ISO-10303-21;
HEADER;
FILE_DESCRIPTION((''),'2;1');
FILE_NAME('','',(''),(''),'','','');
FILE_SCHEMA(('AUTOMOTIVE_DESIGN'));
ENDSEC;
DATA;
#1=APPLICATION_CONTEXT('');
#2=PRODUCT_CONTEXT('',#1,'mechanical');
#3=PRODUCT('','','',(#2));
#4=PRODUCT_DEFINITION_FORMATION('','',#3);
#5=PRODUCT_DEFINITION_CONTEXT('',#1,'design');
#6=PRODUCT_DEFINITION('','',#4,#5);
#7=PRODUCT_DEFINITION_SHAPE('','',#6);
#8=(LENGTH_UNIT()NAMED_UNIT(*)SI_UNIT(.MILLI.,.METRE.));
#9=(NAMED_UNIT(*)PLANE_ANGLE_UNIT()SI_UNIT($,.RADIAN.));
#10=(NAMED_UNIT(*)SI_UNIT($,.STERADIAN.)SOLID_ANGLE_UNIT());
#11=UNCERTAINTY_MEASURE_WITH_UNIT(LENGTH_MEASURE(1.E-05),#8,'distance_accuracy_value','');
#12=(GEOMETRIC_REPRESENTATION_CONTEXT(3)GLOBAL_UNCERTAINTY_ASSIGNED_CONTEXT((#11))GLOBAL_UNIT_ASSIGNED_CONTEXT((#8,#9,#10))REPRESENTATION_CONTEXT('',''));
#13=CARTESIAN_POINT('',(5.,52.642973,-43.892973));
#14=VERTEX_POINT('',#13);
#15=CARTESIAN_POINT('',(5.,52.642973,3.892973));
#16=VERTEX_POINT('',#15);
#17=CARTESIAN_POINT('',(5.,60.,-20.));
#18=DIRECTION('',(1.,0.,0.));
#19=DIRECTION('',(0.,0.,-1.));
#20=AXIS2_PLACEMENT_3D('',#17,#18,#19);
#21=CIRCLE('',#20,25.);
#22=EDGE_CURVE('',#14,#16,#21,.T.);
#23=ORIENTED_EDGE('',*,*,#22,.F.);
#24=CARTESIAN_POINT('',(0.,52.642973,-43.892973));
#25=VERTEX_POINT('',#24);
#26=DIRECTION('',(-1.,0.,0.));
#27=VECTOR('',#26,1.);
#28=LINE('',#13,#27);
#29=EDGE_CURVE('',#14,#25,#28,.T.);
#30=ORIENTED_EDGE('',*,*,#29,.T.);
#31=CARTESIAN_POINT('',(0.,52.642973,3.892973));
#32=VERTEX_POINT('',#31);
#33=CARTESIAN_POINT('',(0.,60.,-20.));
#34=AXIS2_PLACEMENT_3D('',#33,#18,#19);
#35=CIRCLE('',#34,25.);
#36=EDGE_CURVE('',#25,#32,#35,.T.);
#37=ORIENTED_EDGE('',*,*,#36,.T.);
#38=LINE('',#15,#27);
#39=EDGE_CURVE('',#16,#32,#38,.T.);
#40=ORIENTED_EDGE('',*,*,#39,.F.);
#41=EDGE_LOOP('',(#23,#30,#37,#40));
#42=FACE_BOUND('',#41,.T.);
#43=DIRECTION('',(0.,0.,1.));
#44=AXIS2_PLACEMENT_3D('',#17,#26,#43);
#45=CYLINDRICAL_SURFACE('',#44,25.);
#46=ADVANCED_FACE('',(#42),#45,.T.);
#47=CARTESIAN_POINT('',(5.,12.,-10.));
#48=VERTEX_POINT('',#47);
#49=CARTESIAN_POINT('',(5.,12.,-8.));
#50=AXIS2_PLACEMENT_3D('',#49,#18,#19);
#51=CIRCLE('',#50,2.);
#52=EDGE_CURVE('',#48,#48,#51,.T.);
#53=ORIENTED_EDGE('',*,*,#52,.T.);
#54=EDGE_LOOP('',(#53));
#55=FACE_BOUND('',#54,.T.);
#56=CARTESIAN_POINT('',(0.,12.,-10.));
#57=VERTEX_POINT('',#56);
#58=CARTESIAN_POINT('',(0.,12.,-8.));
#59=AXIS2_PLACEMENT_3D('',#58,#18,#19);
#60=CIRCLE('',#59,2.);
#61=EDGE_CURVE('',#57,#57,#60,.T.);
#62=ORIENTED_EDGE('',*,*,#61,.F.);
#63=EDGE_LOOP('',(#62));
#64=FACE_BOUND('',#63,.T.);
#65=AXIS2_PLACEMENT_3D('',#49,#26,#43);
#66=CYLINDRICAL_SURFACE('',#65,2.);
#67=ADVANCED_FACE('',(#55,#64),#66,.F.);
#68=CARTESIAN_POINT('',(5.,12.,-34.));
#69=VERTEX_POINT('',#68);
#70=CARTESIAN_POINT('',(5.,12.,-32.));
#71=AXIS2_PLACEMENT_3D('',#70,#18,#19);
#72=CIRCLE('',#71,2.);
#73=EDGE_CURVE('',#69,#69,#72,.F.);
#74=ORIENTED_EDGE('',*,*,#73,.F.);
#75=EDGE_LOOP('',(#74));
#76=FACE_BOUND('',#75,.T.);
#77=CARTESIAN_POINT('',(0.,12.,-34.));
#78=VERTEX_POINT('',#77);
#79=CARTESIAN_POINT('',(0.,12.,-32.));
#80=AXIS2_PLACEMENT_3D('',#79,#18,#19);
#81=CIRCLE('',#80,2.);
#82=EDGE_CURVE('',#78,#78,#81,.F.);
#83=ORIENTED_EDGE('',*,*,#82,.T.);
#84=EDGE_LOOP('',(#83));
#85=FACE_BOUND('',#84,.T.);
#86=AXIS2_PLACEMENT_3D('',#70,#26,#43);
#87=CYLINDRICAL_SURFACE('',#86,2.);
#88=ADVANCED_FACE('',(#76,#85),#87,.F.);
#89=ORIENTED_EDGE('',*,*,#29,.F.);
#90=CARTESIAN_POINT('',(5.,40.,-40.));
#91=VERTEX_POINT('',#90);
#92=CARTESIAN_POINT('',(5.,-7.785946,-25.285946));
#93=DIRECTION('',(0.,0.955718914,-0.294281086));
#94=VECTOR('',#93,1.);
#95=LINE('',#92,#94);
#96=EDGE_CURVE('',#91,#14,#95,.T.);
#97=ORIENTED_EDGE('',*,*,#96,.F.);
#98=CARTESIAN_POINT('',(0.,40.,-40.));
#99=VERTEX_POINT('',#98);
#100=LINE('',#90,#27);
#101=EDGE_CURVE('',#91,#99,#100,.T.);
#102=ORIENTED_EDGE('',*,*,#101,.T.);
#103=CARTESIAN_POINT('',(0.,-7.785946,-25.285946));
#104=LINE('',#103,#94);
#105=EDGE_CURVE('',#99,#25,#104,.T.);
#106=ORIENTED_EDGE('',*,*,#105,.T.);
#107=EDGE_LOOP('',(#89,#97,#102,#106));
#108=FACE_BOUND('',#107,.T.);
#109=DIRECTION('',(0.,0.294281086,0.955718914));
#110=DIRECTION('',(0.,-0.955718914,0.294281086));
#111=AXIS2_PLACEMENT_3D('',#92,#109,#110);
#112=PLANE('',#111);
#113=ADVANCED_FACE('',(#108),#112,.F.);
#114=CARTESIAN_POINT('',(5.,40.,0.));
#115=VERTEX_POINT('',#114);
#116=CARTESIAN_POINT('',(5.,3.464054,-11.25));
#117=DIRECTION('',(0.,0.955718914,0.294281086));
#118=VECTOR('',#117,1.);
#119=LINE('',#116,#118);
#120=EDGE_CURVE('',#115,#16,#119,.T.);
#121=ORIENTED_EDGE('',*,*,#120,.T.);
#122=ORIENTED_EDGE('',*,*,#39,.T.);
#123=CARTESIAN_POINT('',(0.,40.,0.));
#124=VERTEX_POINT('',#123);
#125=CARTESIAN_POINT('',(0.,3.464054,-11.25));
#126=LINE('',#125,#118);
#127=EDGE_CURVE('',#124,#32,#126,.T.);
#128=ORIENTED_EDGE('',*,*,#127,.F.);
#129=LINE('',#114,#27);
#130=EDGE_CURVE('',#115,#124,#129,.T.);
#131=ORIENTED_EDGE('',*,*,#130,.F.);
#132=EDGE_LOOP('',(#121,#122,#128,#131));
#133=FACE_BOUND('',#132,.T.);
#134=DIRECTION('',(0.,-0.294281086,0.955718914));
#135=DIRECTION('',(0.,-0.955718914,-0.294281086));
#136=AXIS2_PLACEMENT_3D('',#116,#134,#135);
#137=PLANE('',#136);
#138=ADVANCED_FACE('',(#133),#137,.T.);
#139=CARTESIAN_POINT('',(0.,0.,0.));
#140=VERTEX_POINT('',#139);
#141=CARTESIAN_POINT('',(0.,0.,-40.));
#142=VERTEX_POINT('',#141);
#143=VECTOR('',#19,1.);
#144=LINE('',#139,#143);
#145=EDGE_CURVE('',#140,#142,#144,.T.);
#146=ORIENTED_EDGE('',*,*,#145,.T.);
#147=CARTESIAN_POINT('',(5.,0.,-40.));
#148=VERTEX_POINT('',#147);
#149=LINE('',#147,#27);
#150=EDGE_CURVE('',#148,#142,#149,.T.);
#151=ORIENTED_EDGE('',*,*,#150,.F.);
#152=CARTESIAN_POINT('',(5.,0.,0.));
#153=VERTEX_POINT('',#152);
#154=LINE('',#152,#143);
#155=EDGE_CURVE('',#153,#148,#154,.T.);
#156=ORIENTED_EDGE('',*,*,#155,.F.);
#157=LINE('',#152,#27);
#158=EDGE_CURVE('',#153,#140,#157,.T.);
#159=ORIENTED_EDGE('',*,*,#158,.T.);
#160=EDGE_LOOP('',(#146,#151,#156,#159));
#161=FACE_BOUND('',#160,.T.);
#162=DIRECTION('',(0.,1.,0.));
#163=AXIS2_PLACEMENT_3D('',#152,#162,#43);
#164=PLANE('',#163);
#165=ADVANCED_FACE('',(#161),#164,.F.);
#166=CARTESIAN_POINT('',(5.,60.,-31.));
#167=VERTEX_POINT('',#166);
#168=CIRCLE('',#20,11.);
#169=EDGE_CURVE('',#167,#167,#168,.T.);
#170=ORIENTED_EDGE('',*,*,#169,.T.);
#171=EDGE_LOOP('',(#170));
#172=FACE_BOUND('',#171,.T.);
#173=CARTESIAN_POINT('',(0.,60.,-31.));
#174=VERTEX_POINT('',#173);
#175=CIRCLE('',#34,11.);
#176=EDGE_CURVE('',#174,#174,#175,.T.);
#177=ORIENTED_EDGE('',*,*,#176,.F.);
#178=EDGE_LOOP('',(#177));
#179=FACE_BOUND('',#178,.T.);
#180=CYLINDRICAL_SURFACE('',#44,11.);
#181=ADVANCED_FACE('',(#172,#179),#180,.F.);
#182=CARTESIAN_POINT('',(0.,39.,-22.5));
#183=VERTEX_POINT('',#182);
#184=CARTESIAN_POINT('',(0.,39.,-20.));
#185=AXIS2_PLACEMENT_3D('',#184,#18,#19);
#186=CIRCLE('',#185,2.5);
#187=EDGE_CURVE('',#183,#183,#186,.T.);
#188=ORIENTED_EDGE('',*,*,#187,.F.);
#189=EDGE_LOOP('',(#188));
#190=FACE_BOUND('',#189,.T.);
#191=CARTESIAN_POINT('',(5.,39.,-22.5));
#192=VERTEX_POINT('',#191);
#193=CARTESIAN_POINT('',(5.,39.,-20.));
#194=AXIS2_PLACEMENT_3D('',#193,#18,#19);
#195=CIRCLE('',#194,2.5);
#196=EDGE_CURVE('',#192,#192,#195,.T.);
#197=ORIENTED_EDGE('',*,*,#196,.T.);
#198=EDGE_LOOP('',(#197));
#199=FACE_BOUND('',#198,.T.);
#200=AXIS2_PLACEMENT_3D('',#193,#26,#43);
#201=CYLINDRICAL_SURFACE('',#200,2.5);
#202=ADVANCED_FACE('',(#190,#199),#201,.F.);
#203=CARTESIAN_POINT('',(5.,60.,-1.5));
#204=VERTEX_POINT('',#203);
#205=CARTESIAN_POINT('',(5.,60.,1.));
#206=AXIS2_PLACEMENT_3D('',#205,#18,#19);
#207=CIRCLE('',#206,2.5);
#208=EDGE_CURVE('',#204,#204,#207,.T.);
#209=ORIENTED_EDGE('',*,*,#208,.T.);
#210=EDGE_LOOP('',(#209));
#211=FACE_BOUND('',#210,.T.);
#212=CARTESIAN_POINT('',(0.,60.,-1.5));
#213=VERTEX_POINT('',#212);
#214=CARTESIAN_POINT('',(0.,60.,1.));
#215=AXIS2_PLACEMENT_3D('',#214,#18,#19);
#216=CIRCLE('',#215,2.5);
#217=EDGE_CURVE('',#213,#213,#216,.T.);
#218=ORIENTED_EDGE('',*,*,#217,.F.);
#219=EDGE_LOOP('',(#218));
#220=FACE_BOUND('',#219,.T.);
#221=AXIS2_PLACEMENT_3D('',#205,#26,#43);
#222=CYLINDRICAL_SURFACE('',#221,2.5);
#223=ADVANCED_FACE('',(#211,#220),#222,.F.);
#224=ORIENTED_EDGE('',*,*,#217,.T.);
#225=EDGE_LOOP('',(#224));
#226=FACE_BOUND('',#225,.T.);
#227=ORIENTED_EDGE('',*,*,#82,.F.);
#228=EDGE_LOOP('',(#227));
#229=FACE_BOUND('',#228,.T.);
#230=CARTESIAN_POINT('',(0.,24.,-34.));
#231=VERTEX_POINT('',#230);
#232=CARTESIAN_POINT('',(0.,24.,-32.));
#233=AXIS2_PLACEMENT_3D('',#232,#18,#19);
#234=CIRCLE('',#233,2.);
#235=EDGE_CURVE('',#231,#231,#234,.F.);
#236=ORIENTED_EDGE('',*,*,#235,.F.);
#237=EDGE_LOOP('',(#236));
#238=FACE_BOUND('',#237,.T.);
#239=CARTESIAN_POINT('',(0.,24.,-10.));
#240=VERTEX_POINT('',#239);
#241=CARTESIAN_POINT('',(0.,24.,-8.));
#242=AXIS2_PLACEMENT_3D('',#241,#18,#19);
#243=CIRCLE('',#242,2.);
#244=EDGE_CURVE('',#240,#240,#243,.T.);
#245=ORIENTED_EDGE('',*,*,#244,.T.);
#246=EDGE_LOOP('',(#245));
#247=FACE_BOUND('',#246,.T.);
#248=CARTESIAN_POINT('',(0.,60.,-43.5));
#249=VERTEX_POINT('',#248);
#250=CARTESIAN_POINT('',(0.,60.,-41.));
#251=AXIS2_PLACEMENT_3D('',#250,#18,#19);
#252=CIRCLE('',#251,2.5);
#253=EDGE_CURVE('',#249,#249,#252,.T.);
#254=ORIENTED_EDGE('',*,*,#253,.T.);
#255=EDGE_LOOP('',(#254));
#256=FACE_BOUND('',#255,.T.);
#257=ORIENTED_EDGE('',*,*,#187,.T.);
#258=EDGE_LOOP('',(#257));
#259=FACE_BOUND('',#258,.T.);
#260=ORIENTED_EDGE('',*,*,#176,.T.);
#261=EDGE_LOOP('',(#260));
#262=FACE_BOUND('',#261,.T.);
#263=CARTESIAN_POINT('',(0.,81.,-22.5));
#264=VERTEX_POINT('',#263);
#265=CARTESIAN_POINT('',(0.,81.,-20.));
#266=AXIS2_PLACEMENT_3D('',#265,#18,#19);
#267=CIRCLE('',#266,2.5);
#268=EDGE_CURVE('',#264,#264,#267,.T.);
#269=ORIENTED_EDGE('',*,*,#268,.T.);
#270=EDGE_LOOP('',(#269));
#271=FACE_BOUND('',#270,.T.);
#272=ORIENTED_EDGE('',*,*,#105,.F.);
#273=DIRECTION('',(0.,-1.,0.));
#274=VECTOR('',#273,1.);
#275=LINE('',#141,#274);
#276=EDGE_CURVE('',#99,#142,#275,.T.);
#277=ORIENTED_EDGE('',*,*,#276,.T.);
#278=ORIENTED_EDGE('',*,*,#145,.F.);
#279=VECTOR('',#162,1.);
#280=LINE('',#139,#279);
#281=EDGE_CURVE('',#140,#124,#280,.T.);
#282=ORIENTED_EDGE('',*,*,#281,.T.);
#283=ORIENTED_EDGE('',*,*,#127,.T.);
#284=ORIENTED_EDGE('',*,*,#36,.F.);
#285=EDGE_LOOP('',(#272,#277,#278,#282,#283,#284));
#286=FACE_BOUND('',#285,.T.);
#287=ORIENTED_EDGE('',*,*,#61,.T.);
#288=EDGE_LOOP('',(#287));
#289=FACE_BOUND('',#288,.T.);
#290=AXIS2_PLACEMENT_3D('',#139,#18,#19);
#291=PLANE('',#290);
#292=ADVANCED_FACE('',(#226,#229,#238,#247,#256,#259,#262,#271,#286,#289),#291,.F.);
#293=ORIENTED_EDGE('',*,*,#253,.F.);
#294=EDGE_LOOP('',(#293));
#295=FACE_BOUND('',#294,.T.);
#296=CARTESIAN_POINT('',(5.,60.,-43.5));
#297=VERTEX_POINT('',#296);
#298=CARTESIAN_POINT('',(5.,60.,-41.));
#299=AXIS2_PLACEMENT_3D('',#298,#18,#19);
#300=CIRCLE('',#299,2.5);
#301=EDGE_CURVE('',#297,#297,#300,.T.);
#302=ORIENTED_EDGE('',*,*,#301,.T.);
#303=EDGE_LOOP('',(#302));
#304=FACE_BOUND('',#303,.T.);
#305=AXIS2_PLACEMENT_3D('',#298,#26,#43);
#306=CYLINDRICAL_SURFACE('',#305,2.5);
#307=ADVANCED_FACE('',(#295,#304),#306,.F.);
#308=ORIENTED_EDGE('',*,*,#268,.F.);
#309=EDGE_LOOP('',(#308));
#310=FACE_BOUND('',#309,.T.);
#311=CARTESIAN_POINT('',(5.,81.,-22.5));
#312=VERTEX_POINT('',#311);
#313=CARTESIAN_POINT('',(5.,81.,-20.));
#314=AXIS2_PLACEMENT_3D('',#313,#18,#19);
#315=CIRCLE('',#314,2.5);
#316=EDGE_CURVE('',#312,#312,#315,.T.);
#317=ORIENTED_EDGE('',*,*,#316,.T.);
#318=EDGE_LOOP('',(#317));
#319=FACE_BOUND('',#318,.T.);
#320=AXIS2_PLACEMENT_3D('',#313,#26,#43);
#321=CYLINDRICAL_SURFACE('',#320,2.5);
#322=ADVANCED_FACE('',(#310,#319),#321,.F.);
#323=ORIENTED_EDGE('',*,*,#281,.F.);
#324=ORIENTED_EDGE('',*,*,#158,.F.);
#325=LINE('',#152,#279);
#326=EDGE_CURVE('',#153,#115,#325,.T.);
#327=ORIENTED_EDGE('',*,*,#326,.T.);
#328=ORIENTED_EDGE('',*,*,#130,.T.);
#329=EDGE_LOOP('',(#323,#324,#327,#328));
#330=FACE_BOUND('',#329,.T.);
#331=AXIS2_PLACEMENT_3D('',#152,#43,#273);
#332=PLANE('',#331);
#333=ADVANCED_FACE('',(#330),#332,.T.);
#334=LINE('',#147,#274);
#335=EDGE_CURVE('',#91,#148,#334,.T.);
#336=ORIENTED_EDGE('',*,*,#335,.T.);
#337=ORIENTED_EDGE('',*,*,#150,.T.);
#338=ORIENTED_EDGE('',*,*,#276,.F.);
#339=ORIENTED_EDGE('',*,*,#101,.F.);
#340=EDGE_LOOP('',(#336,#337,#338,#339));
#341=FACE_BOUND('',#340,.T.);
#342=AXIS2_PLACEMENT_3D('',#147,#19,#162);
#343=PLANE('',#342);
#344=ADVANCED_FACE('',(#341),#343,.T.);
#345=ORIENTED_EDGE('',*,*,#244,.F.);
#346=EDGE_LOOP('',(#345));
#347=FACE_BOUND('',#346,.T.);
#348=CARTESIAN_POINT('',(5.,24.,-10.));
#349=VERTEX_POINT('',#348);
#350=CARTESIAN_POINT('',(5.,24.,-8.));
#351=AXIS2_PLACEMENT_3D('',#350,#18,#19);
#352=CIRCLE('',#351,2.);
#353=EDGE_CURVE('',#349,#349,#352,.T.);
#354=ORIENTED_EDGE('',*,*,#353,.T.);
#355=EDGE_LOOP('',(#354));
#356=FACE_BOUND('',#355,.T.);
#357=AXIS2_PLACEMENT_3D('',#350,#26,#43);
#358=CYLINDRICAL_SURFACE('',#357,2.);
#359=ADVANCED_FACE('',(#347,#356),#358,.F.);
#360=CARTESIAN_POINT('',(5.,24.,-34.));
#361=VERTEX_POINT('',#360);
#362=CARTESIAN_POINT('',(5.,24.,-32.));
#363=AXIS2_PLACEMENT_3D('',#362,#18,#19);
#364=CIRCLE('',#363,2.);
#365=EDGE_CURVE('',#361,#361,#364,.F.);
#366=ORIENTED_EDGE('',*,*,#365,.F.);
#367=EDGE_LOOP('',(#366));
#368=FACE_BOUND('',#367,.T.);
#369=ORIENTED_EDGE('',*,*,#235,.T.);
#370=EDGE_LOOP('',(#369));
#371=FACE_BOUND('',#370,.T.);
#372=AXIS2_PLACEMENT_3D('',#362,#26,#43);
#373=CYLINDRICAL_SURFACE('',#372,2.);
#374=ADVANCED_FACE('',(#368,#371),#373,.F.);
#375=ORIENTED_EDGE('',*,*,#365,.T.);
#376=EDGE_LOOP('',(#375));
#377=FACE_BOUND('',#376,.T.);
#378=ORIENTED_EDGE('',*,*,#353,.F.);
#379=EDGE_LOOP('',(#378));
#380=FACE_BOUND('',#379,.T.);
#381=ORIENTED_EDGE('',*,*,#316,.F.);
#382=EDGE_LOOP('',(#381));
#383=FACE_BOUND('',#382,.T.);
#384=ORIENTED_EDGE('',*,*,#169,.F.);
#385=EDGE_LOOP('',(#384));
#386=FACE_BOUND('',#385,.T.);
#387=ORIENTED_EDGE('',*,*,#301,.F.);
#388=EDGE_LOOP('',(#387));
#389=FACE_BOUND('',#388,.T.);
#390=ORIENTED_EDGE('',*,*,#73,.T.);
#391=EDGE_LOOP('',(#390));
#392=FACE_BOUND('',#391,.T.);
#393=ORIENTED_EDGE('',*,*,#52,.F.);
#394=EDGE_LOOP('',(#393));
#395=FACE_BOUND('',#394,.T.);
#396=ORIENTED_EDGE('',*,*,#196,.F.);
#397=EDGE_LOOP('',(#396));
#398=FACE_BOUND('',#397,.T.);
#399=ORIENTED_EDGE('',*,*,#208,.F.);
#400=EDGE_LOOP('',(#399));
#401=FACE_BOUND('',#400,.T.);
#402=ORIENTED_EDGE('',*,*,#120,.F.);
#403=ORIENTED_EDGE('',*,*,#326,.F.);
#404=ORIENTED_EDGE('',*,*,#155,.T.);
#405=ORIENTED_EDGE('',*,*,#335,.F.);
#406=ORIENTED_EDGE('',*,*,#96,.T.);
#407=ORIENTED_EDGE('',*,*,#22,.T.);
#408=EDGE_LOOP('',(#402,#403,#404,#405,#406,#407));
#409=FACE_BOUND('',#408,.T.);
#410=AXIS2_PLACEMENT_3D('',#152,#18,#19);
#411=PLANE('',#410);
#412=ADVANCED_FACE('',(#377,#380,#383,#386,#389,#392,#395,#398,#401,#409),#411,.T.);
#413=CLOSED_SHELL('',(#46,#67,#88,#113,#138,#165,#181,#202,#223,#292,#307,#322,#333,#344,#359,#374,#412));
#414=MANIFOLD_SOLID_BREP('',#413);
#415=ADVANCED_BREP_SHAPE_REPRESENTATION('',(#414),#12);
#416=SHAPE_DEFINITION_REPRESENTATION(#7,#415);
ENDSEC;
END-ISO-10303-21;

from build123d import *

# Parameters (mm, degrees)
CROQUIS1_R              = 2
CROQUIS1_R_2            = 2.5
CROQUIS1_R_3            = 11
SALIENTE_EXTRUIR1_DEPTH = 5


with BuildPart() as part:
    # Croquis1 → Saliente-Extruir1 (new body)
    with BuildSketch(Plane(origin=(0, 0, 0), x_dir=(0, 0, -1), z_dir=(1, 0, 0))):
        with BuildLine():
            ThreePointArc((43.892972847, 52.642972847), (20, 85), (-3.892972847, 52.642972847))
            Line((-3.892972847, 52.642972847), (0, 40))
            Line((0, 40), (0, 0))
            Line((0, 0), (40, 0))
            Line((40, 0), (40, 40))
            Line((40, 40), (43.892972847, 52.642972847))
        make_face()
        with Locations((8, 12)):
            Circle(CROQUIS1_R, mode=Mode.SUBTRACT)
        with Locations((8, 24)):
            Circle(CROQUIS1_R, mode=Mode.SUBTRACT)
        with Locations((20, 39)):
            Circle(CROQUIS1_R_2, mode=Mode.SUBTRACT)
        with Locations((32, 12)):
            Circle(CROQUIS1_R, mode=Mode.SUBTRACT)
        with Locations((32, 24)):
            Circle(CROQUIS1_R, mode=Mode.SUBTRACT)
        with Locations((-1, 60)):
            Circle(CROQUIS1_R_2, mode=Mode.SUBTRACT)
        with Locations((20, 60)):
            Circle(CROQUIS1_R_3, mode=Mode.SUBTRACT)
        with Locations((20, 81)):
            Circle(CROQUIS1_R_2, mode=Mode.SUBTRACT)
        with Locations((41, 60)):
            Circle(CROQUIS1_R_2, mode=Mode.SUBTRACT)
    extrude(amount=SALIENTE_EXTRUIR1_DEPTH)


solid = part.part
